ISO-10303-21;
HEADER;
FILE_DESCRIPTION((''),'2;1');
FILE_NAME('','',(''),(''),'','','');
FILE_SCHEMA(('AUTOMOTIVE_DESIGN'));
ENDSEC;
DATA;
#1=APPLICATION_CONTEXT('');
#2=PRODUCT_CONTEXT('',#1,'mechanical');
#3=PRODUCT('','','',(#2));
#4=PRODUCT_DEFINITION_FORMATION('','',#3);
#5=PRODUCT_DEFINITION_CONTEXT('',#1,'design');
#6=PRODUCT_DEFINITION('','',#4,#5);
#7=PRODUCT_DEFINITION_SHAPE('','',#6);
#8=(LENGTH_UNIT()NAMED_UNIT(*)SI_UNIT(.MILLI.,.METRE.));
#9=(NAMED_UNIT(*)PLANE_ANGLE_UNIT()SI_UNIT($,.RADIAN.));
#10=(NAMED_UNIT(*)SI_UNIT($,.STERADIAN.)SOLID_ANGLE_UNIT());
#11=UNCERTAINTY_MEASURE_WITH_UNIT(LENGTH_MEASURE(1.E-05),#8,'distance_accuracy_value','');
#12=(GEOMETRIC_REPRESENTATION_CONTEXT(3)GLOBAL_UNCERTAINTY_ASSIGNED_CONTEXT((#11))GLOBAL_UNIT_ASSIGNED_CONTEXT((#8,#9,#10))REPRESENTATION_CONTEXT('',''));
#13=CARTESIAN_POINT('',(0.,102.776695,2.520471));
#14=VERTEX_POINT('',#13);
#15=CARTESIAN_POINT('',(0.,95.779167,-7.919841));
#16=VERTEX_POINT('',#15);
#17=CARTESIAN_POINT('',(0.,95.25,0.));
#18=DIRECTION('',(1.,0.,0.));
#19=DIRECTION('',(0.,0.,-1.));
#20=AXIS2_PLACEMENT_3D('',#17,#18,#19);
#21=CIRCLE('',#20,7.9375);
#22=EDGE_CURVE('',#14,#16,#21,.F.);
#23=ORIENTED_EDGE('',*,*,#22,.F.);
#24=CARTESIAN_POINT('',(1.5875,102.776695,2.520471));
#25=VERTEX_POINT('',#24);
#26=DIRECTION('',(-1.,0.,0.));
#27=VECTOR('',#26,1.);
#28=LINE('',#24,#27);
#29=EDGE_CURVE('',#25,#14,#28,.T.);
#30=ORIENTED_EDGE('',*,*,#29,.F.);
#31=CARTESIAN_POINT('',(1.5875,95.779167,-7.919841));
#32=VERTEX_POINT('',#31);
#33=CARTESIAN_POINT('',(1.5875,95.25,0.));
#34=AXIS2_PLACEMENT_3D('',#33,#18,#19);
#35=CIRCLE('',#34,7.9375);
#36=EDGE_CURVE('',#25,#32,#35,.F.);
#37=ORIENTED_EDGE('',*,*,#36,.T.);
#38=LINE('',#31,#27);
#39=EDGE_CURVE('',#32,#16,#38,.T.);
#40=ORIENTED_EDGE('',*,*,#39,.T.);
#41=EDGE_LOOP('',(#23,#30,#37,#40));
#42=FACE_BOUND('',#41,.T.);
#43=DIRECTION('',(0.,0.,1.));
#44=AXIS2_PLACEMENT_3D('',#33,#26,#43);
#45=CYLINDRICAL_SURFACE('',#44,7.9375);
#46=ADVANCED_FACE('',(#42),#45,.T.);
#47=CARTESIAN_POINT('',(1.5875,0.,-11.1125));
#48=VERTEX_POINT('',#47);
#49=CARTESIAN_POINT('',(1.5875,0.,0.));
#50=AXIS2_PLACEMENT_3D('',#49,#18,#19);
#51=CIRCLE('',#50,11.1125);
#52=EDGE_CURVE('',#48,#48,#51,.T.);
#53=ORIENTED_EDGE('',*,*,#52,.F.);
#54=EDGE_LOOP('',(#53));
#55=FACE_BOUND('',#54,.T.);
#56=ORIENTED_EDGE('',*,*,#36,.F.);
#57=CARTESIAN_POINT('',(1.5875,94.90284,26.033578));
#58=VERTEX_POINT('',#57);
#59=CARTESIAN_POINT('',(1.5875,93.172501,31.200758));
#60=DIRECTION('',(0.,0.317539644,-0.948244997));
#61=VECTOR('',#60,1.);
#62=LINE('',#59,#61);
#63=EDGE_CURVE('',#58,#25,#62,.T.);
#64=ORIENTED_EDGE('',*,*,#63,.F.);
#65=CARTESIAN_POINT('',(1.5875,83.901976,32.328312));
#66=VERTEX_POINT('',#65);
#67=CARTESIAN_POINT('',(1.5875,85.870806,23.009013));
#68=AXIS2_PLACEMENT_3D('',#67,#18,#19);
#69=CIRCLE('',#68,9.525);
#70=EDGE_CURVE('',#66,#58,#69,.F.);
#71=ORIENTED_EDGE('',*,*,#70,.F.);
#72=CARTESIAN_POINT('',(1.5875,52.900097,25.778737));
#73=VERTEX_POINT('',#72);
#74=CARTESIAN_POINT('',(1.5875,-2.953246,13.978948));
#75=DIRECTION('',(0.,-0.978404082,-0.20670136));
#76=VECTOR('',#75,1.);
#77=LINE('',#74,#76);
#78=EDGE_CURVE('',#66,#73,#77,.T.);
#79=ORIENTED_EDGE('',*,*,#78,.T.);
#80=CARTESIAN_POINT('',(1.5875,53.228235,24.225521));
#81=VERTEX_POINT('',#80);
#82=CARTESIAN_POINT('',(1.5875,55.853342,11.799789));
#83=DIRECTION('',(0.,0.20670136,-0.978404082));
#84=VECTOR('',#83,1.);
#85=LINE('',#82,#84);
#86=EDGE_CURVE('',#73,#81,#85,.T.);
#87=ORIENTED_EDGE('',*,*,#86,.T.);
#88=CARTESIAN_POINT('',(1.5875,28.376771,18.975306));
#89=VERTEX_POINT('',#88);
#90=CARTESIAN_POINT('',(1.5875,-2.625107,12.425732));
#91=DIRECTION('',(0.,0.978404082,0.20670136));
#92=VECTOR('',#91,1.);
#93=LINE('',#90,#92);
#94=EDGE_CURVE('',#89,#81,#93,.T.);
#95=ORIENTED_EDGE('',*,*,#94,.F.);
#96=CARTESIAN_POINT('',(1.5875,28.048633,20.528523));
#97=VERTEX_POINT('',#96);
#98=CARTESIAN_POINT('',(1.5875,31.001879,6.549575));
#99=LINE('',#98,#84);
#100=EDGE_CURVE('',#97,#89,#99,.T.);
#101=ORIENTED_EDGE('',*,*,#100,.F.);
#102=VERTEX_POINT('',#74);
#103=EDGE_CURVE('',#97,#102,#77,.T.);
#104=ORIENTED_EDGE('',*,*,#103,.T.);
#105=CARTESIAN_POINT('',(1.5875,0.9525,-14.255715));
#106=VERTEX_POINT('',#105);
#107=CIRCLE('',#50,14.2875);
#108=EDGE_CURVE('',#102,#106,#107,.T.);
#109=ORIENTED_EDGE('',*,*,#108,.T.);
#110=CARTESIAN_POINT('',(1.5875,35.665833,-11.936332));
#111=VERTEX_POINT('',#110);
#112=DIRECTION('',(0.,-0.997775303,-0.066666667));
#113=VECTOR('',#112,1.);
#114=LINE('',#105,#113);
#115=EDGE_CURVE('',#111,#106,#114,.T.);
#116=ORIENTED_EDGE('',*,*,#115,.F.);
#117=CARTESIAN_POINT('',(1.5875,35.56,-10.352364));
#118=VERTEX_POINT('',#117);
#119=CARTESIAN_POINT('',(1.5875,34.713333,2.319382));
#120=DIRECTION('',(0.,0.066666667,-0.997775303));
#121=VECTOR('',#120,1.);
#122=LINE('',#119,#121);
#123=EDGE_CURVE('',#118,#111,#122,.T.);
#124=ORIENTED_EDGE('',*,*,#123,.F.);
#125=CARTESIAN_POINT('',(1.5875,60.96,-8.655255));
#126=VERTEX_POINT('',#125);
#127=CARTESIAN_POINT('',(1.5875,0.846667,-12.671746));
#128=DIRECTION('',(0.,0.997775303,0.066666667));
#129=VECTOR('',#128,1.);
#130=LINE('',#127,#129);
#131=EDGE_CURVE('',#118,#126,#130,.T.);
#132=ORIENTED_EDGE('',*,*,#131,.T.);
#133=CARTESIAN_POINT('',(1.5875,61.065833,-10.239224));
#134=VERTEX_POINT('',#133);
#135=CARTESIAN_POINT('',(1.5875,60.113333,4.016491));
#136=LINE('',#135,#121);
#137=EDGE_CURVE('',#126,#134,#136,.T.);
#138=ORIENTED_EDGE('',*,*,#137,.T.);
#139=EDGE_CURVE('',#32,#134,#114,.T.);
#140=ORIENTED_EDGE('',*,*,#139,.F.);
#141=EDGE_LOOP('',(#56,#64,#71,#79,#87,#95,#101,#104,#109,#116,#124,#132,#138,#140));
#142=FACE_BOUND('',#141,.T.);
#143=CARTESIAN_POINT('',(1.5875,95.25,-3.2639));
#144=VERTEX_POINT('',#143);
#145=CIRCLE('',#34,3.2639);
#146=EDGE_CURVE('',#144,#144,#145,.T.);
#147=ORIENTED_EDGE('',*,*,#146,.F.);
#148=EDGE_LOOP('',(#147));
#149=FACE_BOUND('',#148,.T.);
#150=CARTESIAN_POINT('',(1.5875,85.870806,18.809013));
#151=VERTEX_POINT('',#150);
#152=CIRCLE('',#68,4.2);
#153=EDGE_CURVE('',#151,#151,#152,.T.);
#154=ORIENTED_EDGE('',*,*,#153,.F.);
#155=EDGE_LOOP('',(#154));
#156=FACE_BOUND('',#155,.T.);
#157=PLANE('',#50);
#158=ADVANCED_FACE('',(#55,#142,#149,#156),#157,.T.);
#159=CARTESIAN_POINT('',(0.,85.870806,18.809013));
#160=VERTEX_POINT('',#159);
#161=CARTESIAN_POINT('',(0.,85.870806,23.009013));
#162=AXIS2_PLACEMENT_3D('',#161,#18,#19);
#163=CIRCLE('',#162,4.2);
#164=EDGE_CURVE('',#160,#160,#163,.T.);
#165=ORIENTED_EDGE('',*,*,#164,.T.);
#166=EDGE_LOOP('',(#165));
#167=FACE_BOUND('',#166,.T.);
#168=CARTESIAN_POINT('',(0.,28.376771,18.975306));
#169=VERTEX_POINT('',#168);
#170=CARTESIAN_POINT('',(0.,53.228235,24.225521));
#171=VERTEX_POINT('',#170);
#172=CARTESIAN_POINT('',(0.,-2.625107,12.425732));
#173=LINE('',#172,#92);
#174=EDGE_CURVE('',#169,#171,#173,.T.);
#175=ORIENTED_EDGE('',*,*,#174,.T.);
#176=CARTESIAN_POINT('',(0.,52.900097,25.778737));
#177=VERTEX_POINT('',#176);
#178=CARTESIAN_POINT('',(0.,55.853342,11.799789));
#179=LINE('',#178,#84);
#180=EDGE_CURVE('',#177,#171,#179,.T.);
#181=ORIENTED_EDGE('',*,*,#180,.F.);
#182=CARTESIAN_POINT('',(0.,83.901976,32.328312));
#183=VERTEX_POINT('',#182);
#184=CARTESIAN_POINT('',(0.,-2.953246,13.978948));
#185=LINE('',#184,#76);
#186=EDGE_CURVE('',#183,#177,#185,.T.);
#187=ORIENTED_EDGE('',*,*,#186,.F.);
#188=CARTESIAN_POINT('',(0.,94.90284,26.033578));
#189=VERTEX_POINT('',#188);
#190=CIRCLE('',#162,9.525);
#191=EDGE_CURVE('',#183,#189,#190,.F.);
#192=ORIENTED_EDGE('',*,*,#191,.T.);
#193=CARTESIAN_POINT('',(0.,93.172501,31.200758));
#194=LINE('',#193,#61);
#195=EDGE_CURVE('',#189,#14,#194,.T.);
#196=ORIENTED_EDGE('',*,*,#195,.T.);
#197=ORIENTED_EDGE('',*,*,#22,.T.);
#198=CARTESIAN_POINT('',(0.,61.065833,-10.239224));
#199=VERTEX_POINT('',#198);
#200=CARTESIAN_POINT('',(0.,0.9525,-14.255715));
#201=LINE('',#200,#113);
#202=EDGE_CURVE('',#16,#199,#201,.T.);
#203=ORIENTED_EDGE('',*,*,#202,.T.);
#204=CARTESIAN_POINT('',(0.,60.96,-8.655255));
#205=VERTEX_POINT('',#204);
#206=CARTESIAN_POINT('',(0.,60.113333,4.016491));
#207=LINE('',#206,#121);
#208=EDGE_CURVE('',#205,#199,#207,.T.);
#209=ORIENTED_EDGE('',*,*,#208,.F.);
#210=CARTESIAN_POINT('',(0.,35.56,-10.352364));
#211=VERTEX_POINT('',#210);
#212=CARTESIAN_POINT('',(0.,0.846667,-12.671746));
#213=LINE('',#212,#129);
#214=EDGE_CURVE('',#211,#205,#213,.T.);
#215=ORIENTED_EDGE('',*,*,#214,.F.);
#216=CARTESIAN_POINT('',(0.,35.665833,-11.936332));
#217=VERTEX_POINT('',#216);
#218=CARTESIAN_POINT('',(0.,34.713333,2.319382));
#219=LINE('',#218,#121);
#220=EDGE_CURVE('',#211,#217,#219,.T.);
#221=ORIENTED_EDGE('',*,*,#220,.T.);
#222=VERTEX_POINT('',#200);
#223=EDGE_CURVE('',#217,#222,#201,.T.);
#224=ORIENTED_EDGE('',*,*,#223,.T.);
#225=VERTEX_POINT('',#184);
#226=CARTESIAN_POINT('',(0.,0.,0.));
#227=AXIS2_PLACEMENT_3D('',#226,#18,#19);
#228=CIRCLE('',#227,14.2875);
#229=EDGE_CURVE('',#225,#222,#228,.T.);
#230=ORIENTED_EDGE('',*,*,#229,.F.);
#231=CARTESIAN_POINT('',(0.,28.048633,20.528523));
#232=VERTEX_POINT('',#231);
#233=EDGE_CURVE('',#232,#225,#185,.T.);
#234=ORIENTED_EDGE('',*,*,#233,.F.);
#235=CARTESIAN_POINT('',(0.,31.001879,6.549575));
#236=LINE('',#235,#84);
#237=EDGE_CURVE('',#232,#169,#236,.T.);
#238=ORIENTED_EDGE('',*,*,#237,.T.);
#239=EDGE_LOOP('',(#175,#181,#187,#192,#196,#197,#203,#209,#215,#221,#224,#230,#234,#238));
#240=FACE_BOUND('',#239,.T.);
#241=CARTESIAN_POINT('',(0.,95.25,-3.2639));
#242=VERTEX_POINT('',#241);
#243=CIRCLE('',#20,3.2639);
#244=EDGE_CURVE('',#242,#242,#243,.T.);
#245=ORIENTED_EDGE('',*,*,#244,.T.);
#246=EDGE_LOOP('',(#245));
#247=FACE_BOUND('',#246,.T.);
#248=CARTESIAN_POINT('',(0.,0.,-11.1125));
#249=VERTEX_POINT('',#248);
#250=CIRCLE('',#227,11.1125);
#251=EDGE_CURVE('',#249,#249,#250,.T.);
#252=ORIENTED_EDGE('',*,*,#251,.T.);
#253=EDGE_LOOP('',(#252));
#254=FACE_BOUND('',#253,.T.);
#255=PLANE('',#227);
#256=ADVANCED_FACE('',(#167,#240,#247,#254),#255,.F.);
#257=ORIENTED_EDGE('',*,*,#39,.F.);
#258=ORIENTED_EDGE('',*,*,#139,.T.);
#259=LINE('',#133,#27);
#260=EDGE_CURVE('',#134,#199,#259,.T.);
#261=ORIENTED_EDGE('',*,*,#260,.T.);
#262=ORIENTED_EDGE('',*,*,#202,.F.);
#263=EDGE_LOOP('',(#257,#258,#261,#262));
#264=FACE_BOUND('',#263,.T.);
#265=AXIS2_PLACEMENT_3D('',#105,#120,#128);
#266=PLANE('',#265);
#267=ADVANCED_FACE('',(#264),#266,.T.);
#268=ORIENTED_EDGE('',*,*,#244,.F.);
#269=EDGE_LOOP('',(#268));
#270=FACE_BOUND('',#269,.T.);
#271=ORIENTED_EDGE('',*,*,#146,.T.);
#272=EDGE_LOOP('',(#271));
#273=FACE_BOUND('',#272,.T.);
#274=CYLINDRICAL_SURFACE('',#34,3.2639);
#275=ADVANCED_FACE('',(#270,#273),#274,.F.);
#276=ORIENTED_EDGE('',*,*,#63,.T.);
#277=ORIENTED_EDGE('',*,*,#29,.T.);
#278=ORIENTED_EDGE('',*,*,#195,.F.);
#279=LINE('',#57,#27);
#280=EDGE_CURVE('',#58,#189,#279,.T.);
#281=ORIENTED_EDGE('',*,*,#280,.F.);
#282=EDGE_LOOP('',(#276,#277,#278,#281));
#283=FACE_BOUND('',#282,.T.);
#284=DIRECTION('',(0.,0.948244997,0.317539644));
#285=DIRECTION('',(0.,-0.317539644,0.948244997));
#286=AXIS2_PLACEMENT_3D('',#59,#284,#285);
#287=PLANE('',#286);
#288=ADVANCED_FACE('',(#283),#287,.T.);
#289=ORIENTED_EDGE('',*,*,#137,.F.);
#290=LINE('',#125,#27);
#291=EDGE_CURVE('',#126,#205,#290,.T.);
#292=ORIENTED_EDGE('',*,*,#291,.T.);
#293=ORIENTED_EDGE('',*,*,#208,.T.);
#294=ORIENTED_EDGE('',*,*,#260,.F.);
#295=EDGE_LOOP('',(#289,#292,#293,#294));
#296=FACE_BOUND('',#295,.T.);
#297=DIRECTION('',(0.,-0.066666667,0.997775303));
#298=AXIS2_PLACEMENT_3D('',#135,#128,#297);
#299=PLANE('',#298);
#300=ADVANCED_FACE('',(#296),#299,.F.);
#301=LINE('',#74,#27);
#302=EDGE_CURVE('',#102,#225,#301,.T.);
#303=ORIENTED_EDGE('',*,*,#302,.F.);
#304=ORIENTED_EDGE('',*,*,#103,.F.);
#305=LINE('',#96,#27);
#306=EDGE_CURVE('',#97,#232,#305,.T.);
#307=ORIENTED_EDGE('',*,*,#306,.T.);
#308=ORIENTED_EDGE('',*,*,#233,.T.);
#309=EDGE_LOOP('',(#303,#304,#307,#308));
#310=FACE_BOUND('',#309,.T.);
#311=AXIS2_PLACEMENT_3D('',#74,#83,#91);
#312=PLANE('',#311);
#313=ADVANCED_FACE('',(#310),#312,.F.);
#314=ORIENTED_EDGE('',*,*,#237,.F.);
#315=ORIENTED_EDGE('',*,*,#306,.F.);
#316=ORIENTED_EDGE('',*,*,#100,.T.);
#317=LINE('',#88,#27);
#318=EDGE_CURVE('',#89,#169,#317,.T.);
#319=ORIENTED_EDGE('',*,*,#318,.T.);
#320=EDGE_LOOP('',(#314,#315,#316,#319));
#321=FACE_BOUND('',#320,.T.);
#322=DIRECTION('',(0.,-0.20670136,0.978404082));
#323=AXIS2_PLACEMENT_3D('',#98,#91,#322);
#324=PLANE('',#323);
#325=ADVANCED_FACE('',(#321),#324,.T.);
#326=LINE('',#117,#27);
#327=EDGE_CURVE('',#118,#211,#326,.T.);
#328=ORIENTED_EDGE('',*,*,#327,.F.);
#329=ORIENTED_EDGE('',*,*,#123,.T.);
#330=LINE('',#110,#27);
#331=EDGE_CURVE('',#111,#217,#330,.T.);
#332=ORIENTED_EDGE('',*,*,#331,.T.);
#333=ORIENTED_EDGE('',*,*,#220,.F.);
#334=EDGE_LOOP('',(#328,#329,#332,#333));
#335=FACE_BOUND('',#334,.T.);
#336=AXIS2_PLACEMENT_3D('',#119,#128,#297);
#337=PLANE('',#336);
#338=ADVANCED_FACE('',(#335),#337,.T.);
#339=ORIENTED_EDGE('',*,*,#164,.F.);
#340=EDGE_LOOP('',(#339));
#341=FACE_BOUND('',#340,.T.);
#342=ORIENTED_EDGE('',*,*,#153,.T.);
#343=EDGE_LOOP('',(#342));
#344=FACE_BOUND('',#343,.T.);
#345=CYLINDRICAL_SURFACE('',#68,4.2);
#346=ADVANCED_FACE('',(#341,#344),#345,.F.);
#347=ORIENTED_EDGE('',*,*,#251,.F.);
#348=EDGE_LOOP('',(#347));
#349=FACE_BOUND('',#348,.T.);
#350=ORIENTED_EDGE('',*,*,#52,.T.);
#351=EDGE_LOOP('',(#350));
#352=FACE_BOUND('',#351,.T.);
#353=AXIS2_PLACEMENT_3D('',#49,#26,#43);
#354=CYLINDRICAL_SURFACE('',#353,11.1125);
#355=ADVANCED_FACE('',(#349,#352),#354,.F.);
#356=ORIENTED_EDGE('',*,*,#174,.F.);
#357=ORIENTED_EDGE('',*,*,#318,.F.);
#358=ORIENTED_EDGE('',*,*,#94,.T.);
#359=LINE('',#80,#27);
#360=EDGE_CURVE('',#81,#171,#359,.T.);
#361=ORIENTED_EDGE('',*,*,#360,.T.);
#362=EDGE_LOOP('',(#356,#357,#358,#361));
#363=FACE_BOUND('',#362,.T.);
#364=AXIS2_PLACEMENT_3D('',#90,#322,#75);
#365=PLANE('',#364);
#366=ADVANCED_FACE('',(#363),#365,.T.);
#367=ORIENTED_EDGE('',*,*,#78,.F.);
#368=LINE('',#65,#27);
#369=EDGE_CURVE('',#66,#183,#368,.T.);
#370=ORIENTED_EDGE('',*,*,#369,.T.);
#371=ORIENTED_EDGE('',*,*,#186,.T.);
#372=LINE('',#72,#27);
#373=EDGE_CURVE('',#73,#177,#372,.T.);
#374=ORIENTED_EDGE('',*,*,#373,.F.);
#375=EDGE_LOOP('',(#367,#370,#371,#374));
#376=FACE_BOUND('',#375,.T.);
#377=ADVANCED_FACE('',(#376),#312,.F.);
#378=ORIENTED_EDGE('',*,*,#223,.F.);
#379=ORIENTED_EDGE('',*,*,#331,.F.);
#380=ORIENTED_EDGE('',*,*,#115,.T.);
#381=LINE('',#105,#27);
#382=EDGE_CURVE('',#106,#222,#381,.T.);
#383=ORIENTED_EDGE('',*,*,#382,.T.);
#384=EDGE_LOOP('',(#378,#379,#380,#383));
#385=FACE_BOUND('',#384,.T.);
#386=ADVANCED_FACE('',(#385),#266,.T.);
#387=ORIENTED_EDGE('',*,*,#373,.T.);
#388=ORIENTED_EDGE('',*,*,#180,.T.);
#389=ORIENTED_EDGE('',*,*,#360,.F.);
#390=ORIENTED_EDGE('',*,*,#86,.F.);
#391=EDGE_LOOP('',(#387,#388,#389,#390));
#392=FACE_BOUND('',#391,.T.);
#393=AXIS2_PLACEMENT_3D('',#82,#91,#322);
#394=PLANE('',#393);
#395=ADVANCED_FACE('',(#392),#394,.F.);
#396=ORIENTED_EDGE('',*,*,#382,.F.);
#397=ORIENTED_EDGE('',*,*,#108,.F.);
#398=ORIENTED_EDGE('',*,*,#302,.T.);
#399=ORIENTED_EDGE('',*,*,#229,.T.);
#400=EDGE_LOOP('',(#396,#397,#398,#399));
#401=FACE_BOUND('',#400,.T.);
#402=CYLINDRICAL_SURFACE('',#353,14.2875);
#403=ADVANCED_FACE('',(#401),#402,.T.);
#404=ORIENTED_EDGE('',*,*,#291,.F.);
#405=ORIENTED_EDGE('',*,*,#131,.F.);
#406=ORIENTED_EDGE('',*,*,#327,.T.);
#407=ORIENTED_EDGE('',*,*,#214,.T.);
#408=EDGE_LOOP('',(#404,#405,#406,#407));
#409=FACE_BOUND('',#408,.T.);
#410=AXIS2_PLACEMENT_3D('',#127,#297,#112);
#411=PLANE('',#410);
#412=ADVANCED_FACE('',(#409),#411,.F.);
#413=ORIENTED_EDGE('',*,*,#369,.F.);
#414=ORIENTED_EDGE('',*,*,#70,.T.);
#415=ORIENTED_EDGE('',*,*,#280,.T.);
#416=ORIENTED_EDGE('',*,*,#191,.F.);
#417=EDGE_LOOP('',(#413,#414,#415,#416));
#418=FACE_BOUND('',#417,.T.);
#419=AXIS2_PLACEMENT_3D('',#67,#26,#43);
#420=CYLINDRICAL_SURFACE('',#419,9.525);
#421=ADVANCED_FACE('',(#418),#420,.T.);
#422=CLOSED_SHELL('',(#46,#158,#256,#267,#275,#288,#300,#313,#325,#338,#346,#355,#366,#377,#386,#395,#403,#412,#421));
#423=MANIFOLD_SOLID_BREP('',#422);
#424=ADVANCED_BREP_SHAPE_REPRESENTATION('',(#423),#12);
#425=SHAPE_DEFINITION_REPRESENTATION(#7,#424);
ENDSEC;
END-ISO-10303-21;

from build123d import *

# Parameters (mm, degrees)
SKETCH1_R               = 11.1125
BOSS_EXTRUDE1_DEPTH     = 1.5875
F_1_4_CLEARANCE_HOLE1_D = 6.5278
M8_CLEARANCE_HOLE1_D    = 8.4
BOSS_EXTRUDE2_DEPTH     = 1.5875


with BuildPart() as part:
    # Sketch1 → Boss-Extrude1 (new body)
    with BuildSketch(Plane(origin=(0, 0, 0), x_dir=(0, 0, -1), z_dir=(1, 0, 0))):
        with BuildLine():
            ThreePointArc((-26.033578217, 94.902839555), (-31.276267612, 90.601358567), (-32.328311992, 83.901975506))
            Line((-32.328311992, 83.901975506), (-25.778737426, 52.900096757))
            Line((-25.778737426, 52.900096757), (-24.225520946, 53.228235166))
            Line((-24.225520946, 53.228235166), (-18.975306409, 28.37677148))
            Line((-18.975306409, 28.37677148), (-20.528522889, 28.048633072))
            Line((-20.528522889, 28.048633072), (-13.978948323, -2.953245677))
            ThreePointArc((-13.978948323, -2.953245677), (1.957769706, -14.152730974), (14.255714644, 0.9525))
            Line((14.255714644, 0.9525), (11.936332499, 35.665833333))
            Line((11.936332499, 35.665833333), (10.352364205, 35.56))
            Line((10.352364205, 35.56), (8.655255319, 60.96))
            Line((8.655255319, 60.96), (10.239223613, 61.065833333))
            Line((10.239223613, 61.065833333), (7.919841469, 95.779166667))
            ThreePointArc((7.919841469, 95.779166667), (4.41923637, 101.843501055), (-2.520470923, 102.776694665))
            Line((-2.520470923, 102.776694665), (-5.244990973, 101.864332217))
            Line((-5.244990973, 101.864332217), (-4.740896788, 100.358993285))
            Line((-4.740896788, 100.358993285), (-22.804963983, 94.309863069))
            Line((-22.804963983, 94.309863069), (-23.309058168, 95.815202002))
            Line((-23.309058168, 95.815202002), (-26.033578217, 94.902839555))
        make_face()
        Circle(SKETCH1_R, mode=Mode.SUBTRACT)
    extrude(amount=BOSS_EXTRUDE1_DEPTH)

    # 1/4 Clearance Hole1 (through all)
    with Locations(Plane(origin=(1.5875, 0, 0), x_dir=(0, 0, -1), z_dir=(1, 0, 0))):
        with Locations((0, 95.25)):
            Hole(F_1_4_CLEARANCE_HOLE1_D / 2)

    # M8 Clearance Hole1 (through all)
    with Locations(Plane(origin=(1.5875, 0, 0), x_dir=(0, 0, -1), z_dir=(1, 0, 0))):
        with Locations((-23.00901311, 85.870805957)):
            Hole(M8_CLEARANCE_HOLE1_D / 2)

    # Sketch1<3> → Boss-Extrude2 (add)
    with BuildSketch(Plane(origin=(0, 0, 0), x_dir=(0, 0, -1), z_dir=(1, 0, 0))):
        Polygon((-5.244990973, 101.864332217), (-23.309058168, 95.815202002), (-22.804963983, 94.309863069), (-4.740896788, 100.358993285), align=None)
    extrude(amount=BOSS_EXTRUDE2_DEPTH)


solid = part.part
